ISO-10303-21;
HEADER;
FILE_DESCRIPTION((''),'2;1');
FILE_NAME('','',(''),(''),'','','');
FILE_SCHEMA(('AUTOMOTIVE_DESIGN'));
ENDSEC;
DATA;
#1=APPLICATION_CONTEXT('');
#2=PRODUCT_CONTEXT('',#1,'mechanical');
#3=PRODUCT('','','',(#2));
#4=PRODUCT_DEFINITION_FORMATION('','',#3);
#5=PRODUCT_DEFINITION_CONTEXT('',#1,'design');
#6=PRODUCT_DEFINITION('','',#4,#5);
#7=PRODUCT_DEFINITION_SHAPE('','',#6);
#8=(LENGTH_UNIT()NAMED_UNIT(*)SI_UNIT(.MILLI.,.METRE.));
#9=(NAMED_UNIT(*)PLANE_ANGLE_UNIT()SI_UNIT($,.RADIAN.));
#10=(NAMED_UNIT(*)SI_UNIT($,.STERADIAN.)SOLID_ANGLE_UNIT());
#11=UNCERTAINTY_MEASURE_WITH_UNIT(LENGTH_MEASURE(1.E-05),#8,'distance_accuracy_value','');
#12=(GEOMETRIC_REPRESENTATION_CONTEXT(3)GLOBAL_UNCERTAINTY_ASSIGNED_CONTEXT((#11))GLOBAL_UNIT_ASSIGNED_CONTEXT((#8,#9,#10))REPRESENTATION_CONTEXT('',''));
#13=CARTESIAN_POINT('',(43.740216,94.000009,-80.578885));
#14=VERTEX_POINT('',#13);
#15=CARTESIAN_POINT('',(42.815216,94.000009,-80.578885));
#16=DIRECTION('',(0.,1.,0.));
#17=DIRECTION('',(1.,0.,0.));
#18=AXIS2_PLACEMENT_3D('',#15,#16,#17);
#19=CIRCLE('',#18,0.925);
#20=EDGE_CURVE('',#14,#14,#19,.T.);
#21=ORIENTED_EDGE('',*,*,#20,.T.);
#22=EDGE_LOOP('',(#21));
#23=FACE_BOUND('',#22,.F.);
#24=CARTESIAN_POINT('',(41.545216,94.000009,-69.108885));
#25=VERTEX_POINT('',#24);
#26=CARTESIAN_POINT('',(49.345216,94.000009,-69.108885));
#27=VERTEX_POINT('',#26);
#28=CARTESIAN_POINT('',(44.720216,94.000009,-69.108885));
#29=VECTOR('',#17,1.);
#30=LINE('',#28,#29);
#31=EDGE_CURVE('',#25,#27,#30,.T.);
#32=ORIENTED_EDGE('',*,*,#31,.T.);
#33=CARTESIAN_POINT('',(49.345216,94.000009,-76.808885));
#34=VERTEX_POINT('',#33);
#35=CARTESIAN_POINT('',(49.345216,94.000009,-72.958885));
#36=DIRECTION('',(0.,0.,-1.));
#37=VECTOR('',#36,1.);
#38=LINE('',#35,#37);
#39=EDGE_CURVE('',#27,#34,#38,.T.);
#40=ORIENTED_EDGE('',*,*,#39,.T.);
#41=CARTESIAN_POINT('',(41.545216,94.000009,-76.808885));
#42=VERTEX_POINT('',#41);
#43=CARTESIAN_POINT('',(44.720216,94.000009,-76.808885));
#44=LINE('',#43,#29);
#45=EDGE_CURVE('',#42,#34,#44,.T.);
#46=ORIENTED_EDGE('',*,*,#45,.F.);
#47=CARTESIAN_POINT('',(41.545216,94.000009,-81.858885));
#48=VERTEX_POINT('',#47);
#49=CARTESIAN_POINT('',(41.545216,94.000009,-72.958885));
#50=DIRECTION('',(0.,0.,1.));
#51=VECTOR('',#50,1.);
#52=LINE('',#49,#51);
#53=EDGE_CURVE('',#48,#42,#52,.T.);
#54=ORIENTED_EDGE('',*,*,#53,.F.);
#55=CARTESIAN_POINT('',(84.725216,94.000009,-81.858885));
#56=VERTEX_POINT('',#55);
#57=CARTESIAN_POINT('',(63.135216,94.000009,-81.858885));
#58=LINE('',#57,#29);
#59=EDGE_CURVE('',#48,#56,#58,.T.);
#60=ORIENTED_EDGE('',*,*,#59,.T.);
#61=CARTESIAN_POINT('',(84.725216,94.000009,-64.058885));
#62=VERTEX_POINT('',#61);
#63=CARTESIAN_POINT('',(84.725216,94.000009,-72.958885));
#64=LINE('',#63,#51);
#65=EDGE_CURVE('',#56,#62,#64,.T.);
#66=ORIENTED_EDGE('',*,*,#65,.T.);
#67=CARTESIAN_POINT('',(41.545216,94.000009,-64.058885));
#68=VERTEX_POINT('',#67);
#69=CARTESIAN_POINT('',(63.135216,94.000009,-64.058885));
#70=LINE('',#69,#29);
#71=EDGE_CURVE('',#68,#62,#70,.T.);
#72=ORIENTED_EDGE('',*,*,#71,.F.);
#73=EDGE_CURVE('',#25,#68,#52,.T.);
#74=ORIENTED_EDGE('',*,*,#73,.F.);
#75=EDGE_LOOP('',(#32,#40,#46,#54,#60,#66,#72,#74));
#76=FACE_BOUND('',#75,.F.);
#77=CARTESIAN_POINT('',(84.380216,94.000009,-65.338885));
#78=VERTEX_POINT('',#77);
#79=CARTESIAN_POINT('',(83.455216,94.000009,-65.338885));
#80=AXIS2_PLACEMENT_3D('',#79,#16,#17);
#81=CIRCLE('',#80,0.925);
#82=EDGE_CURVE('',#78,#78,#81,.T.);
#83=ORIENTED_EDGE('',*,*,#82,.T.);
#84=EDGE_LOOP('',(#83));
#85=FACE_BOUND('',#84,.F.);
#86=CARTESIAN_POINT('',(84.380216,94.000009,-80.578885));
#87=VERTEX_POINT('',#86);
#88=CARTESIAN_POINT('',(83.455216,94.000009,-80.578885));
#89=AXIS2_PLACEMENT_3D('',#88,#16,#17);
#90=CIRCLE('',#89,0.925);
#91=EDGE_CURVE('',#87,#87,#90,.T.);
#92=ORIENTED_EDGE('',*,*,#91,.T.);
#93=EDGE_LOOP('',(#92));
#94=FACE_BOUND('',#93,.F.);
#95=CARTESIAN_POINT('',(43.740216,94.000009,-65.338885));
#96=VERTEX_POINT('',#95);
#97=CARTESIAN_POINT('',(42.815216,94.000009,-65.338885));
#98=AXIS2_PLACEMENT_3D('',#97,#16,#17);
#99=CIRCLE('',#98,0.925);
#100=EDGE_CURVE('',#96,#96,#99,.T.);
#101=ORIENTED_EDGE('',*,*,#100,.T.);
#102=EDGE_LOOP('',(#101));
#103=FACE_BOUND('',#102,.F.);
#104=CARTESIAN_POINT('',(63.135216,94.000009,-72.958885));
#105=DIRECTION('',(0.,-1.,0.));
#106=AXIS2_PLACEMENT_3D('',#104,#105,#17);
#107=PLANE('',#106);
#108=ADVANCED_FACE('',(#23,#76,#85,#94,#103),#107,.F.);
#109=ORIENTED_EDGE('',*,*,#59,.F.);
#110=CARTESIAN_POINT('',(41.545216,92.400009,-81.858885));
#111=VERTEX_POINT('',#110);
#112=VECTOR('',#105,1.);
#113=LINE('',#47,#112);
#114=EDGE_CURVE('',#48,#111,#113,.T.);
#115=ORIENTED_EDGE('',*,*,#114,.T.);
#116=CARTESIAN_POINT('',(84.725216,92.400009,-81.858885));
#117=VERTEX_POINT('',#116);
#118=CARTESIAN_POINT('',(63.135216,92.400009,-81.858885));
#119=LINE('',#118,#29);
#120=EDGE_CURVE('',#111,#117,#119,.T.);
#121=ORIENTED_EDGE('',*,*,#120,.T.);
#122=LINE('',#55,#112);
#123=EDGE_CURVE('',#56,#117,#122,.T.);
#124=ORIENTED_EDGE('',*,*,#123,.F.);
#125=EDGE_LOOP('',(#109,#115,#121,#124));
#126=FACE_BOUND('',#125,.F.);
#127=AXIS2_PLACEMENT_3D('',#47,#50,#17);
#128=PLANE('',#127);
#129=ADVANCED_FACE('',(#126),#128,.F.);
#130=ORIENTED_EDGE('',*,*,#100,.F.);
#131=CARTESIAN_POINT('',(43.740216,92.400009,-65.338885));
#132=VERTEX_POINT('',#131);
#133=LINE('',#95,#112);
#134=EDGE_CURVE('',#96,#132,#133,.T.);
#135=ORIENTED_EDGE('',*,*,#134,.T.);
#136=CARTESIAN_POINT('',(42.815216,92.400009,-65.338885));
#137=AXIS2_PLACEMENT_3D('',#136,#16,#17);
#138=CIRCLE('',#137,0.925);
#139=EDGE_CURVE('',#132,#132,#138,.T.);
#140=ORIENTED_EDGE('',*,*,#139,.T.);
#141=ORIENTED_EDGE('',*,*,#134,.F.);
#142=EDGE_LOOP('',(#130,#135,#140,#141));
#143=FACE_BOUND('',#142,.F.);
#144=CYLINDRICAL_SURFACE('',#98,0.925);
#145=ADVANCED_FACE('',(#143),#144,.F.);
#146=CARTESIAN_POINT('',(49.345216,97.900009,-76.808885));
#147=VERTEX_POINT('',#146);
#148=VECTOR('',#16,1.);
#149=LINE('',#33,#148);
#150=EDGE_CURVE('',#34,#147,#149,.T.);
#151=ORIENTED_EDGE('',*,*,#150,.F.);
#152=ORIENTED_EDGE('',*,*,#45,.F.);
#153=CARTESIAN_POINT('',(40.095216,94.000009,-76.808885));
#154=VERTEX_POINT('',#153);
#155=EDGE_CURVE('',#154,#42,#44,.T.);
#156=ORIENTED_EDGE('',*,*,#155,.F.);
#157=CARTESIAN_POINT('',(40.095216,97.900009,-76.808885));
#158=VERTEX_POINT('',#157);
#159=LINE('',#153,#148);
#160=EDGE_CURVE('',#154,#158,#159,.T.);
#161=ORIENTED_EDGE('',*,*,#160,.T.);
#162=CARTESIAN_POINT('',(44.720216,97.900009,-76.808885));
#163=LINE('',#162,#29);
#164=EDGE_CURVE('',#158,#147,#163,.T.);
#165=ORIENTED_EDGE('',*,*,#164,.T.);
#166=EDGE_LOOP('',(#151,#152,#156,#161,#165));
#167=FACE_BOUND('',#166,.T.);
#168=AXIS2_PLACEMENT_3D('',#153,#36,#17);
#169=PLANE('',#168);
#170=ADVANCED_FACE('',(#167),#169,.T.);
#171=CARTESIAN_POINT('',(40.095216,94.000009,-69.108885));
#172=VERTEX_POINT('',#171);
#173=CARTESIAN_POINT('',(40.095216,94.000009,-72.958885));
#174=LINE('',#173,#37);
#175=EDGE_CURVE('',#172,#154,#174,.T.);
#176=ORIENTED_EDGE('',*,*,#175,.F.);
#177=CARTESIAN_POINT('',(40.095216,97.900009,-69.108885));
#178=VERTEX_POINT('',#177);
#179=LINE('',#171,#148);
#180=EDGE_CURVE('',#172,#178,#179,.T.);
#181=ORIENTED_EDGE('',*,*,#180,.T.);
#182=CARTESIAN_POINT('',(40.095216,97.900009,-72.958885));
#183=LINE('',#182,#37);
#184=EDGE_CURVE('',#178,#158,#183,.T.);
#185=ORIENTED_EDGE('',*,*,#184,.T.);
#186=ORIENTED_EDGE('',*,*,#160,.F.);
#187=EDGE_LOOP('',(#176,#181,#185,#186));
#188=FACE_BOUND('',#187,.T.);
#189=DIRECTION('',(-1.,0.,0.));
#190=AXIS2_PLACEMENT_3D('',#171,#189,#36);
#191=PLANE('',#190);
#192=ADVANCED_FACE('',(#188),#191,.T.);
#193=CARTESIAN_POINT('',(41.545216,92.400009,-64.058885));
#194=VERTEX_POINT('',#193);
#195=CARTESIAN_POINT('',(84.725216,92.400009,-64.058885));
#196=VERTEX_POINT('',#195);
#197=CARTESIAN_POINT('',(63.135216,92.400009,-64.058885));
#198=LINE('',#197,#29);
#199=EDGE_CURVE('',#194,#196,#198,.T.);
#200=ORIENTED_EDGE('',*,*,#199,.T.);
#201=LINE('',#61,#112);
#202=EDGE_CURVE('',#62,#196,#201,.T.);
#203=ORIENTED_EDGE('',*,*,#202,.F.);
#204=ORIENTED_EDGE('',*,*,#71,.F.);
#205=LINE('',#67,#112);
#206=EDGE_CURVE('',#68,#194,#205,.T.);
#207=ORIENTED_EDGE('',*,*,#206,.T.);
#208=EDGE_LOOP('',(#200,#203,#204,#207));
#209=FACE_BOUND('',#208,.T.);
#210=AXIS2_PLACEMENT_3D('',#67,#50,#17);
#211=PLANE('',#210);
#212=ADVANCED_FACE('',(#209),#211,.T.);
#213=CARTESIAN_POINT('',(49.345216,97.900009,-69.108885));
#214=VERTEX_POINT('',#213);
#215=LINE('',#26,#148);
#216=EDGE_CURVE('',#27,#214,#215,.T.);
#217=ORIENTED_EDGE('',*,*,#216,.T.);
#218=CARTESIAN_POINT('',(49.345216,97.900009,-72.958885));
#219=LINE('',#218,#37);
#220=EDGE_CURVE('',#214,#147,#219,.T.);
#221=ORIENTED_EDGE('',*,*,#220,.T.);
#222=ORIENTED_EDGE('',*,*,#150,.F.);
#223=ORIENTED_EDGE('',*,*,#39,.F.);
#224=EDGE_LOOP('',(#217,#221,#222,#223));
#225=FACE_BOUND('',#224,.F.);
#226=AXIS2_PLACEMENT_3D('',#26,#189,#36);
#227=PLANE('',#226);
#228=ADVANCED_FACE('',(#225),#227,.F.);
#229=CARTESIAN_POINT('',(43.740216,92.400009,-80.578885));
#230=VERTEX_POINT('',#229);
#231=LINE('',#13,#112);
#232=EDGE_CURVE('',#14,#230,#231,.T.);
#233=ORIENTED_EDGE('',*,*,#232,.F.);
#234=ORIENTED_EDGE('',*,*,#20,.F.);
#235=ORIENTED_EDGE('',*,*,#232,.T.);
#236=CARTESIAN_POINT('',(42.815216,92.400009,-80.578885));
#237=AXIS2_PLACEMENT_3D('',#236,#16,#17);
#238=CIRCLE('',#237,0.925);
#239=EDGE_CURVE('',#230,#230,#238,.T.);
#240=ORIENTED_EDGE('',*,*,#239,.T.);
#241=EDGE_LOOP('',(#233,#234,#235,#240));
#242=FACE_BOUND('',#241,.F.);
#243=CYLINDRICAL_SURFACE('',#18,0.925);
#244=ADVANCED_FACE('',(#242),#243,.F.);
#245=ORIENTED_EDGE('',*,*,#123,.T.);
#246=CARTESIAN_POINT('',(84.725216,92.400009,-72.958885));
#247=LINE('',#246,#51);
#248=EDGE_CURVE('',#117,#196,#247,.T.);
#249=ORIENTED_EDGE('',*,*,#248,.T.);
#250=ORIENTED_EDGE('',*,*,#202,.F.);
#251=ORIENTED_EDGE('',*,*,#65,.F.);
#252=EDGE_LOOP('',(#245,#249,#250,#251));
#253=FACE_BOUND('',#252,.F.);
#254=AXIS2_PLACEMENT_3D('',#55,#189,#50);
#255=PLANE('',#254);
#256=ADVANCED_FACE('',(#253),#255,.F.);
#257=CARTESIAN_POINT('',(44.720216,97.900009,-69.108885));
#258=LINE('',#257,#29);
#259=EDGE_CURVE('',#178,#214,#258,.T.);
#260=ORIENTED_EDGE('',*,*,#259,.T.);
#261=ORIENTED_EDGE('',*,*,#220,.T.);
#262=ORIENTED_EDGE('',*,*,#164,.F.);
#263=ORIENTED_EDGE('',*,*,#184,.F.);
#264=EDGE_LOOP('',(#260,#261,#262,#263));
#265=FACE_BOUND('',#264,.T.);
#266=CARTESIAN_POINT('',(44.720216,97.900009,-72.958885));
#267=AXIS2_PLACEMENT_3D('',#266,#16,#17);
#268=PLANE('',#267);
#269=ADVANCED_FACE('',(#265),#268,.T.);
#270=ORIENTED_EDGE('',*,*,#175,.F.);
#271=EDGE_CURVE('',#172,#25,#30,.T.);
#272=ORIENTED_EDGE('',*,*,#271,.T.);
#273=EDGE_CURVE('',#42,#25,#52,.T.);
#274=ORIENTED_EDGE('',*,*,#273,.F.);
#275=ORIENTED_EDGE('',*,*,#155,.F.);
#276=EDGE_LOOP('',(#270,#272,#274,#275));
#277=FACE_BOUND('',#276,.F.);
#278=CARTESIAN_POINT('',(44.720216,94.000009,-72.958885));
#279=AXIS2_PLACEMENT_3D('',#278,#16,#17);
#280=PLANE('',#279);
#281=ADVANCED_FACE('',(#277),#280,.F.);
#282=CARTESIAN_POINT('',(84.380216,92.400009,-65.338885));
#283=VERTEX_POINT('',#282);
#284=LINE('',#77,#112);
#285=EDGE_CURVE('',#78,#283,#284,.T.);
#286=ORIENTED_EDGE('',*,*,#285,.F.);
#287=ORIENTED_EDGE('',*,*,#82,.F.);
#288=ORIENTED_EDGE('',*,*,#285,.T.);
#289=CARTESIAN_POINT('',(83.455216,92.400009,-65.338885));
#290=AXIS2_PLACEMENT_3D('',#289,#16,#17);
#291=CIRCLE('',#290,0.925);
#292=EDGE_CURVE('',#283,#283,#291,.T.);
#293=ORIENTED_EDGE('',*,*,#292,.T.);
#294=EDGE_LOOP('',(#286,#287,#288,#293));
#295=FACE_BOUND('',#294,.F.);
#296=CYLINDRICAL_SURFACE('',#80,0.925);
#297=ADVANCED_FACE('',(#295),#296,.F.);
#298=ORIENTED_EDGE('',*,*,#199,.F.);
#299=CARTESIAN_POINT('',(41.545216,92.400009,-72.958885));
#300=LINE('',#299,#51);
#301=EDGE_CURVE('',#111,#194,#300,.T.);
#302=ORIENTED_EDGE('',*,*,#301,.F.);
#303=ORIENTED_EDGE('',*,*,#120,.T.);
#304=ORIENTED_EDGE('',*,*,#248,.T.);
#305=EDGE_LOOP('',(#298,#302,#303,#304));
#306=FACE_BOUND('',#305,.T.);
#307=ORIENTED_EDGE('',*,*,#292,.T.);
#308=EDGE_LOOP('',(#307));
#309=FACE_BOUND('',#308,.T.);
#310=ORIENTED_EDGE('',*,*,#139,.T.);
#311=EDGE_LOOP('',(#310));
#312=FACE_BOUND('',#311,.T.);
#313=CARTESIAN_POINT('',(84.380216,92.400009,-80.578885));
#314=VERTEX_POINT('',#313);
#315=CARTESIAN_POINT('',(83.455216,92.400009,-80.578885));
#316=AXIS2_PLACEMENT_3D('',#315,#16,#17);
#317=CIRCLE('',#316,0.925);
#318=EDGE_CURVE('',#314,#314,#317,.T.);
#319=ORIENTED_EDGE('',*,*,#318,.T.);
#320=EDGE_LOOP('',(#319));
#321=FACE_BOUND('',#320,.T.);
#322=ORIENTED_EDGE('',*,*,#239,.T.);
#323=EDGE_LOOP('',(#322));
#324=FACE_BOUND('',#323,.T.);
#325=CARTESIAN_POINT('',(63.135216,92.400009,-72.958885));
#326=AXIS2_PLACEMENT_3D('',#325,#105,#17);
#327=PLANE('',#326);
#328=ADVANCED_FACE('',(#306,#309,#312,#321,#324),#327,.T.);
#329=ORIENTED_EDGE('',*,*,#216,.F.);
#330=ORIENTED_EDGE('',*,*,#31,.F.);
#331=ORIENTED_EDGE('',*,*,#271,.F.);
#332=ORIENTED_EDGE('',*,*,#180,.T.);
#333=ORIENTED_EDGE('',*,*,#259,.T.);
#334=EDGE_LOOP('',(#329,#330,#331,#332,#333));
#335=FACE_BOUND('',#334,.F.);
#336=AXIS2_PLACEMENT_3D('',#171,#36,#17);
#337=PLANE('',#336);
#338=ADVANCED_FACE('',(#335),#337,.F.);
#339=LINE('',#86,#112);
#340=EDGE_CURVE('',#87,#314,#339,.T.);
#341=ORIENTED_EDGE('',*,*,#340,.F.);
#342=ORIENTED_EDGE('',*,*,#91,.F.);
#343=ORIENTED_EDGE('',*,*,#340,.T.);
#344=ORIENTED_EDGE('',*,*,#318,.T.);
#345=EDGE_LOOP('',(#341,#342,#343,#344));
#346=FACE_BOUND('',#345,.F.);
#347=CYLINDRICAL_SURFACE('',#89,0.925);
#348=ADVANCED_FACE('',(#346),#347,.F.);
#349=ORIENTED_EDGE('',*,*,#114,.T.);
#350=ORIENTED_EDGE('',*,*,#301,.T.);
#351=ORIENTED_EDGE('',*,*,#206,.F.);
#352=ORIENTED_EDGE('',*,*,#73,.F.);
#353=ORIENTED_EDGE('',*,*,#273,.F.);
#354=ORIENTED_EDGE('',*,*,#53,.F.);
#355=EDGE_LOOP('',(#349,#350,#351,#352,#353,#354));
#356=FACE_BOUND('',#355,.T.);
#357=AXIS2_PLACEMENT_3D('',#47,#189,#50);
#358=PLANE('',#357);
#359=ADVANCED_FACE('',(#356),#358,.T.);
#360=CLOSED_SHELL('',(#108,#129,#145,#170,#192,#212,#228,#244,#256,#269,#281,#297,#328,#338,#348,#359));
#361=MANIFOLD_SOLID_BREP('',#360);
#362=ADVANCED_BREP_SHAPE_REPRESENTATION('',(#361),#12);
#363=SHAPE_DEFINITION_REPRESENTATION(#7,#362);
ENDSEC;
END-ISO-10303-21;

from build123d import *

# Parameters (mm, degrees)
SKETCH003_W     = 43.18
SKETCH003_H     = 17.8
PAD002_DEPTH    = 1.6
SKETCH004_W     = 9.25
SKETCH004_H     = 7.7
PAD003_DEPTH    = 3.9
SKETCH005_R     = 0.925
POCKET001_DEPTH = 5


with BuildPart() as part:
    # Sketch003 → Pad002 (new body)
    with BuildSketch(Plane.XZ):
        with Locations((21.59, 8.9)):
            Rectangle(SKETCH003_W, SKETCH003_H)
    extrude(amount=PAD002_DEPTH)

    # Sketch004 (on Face5 of Pad002) → Pad003 (join)
    with BuildSketch(Plane(origin=(0, 0, 0), x_dir=(1, 0, 0), z_dir=(0, 1, 0))):
        with Locations((3.175, -8.9)):
            Rectangle(SKETCH004_W, SKETCH004_H)
    extrude(amount=PAD003_DEPTH)

    # Sketch005 (on Face4 of Pad003) → Pocket001 (cut)
    with BuildSketch(Plane(origin=(0, 0, 0), x_dir=(1, 0, 0), z_dir=(0, 1, 0))):
        with Locations((1.27, -16.52)):
            Circle(SKETCH005_R)
        with Locations((1.27, -1.28)):
            Circle(SKETCH005_R)
        with Locations((41.91, -1.28)):
            Circle(SKETCH005_R)
        with Locations((41.91, -16.52)):
            Circle(SKETCH005_R)
    extrude(amount=-POCKET001_DEPTH, mode=Mode.SUBTRACT)


with BuildPart() as part_1:
    # Body001 placement: moved
    add(part.part.moved(Location((41.545216, 94.000009, -81.858885))))


solid = part_1.part
